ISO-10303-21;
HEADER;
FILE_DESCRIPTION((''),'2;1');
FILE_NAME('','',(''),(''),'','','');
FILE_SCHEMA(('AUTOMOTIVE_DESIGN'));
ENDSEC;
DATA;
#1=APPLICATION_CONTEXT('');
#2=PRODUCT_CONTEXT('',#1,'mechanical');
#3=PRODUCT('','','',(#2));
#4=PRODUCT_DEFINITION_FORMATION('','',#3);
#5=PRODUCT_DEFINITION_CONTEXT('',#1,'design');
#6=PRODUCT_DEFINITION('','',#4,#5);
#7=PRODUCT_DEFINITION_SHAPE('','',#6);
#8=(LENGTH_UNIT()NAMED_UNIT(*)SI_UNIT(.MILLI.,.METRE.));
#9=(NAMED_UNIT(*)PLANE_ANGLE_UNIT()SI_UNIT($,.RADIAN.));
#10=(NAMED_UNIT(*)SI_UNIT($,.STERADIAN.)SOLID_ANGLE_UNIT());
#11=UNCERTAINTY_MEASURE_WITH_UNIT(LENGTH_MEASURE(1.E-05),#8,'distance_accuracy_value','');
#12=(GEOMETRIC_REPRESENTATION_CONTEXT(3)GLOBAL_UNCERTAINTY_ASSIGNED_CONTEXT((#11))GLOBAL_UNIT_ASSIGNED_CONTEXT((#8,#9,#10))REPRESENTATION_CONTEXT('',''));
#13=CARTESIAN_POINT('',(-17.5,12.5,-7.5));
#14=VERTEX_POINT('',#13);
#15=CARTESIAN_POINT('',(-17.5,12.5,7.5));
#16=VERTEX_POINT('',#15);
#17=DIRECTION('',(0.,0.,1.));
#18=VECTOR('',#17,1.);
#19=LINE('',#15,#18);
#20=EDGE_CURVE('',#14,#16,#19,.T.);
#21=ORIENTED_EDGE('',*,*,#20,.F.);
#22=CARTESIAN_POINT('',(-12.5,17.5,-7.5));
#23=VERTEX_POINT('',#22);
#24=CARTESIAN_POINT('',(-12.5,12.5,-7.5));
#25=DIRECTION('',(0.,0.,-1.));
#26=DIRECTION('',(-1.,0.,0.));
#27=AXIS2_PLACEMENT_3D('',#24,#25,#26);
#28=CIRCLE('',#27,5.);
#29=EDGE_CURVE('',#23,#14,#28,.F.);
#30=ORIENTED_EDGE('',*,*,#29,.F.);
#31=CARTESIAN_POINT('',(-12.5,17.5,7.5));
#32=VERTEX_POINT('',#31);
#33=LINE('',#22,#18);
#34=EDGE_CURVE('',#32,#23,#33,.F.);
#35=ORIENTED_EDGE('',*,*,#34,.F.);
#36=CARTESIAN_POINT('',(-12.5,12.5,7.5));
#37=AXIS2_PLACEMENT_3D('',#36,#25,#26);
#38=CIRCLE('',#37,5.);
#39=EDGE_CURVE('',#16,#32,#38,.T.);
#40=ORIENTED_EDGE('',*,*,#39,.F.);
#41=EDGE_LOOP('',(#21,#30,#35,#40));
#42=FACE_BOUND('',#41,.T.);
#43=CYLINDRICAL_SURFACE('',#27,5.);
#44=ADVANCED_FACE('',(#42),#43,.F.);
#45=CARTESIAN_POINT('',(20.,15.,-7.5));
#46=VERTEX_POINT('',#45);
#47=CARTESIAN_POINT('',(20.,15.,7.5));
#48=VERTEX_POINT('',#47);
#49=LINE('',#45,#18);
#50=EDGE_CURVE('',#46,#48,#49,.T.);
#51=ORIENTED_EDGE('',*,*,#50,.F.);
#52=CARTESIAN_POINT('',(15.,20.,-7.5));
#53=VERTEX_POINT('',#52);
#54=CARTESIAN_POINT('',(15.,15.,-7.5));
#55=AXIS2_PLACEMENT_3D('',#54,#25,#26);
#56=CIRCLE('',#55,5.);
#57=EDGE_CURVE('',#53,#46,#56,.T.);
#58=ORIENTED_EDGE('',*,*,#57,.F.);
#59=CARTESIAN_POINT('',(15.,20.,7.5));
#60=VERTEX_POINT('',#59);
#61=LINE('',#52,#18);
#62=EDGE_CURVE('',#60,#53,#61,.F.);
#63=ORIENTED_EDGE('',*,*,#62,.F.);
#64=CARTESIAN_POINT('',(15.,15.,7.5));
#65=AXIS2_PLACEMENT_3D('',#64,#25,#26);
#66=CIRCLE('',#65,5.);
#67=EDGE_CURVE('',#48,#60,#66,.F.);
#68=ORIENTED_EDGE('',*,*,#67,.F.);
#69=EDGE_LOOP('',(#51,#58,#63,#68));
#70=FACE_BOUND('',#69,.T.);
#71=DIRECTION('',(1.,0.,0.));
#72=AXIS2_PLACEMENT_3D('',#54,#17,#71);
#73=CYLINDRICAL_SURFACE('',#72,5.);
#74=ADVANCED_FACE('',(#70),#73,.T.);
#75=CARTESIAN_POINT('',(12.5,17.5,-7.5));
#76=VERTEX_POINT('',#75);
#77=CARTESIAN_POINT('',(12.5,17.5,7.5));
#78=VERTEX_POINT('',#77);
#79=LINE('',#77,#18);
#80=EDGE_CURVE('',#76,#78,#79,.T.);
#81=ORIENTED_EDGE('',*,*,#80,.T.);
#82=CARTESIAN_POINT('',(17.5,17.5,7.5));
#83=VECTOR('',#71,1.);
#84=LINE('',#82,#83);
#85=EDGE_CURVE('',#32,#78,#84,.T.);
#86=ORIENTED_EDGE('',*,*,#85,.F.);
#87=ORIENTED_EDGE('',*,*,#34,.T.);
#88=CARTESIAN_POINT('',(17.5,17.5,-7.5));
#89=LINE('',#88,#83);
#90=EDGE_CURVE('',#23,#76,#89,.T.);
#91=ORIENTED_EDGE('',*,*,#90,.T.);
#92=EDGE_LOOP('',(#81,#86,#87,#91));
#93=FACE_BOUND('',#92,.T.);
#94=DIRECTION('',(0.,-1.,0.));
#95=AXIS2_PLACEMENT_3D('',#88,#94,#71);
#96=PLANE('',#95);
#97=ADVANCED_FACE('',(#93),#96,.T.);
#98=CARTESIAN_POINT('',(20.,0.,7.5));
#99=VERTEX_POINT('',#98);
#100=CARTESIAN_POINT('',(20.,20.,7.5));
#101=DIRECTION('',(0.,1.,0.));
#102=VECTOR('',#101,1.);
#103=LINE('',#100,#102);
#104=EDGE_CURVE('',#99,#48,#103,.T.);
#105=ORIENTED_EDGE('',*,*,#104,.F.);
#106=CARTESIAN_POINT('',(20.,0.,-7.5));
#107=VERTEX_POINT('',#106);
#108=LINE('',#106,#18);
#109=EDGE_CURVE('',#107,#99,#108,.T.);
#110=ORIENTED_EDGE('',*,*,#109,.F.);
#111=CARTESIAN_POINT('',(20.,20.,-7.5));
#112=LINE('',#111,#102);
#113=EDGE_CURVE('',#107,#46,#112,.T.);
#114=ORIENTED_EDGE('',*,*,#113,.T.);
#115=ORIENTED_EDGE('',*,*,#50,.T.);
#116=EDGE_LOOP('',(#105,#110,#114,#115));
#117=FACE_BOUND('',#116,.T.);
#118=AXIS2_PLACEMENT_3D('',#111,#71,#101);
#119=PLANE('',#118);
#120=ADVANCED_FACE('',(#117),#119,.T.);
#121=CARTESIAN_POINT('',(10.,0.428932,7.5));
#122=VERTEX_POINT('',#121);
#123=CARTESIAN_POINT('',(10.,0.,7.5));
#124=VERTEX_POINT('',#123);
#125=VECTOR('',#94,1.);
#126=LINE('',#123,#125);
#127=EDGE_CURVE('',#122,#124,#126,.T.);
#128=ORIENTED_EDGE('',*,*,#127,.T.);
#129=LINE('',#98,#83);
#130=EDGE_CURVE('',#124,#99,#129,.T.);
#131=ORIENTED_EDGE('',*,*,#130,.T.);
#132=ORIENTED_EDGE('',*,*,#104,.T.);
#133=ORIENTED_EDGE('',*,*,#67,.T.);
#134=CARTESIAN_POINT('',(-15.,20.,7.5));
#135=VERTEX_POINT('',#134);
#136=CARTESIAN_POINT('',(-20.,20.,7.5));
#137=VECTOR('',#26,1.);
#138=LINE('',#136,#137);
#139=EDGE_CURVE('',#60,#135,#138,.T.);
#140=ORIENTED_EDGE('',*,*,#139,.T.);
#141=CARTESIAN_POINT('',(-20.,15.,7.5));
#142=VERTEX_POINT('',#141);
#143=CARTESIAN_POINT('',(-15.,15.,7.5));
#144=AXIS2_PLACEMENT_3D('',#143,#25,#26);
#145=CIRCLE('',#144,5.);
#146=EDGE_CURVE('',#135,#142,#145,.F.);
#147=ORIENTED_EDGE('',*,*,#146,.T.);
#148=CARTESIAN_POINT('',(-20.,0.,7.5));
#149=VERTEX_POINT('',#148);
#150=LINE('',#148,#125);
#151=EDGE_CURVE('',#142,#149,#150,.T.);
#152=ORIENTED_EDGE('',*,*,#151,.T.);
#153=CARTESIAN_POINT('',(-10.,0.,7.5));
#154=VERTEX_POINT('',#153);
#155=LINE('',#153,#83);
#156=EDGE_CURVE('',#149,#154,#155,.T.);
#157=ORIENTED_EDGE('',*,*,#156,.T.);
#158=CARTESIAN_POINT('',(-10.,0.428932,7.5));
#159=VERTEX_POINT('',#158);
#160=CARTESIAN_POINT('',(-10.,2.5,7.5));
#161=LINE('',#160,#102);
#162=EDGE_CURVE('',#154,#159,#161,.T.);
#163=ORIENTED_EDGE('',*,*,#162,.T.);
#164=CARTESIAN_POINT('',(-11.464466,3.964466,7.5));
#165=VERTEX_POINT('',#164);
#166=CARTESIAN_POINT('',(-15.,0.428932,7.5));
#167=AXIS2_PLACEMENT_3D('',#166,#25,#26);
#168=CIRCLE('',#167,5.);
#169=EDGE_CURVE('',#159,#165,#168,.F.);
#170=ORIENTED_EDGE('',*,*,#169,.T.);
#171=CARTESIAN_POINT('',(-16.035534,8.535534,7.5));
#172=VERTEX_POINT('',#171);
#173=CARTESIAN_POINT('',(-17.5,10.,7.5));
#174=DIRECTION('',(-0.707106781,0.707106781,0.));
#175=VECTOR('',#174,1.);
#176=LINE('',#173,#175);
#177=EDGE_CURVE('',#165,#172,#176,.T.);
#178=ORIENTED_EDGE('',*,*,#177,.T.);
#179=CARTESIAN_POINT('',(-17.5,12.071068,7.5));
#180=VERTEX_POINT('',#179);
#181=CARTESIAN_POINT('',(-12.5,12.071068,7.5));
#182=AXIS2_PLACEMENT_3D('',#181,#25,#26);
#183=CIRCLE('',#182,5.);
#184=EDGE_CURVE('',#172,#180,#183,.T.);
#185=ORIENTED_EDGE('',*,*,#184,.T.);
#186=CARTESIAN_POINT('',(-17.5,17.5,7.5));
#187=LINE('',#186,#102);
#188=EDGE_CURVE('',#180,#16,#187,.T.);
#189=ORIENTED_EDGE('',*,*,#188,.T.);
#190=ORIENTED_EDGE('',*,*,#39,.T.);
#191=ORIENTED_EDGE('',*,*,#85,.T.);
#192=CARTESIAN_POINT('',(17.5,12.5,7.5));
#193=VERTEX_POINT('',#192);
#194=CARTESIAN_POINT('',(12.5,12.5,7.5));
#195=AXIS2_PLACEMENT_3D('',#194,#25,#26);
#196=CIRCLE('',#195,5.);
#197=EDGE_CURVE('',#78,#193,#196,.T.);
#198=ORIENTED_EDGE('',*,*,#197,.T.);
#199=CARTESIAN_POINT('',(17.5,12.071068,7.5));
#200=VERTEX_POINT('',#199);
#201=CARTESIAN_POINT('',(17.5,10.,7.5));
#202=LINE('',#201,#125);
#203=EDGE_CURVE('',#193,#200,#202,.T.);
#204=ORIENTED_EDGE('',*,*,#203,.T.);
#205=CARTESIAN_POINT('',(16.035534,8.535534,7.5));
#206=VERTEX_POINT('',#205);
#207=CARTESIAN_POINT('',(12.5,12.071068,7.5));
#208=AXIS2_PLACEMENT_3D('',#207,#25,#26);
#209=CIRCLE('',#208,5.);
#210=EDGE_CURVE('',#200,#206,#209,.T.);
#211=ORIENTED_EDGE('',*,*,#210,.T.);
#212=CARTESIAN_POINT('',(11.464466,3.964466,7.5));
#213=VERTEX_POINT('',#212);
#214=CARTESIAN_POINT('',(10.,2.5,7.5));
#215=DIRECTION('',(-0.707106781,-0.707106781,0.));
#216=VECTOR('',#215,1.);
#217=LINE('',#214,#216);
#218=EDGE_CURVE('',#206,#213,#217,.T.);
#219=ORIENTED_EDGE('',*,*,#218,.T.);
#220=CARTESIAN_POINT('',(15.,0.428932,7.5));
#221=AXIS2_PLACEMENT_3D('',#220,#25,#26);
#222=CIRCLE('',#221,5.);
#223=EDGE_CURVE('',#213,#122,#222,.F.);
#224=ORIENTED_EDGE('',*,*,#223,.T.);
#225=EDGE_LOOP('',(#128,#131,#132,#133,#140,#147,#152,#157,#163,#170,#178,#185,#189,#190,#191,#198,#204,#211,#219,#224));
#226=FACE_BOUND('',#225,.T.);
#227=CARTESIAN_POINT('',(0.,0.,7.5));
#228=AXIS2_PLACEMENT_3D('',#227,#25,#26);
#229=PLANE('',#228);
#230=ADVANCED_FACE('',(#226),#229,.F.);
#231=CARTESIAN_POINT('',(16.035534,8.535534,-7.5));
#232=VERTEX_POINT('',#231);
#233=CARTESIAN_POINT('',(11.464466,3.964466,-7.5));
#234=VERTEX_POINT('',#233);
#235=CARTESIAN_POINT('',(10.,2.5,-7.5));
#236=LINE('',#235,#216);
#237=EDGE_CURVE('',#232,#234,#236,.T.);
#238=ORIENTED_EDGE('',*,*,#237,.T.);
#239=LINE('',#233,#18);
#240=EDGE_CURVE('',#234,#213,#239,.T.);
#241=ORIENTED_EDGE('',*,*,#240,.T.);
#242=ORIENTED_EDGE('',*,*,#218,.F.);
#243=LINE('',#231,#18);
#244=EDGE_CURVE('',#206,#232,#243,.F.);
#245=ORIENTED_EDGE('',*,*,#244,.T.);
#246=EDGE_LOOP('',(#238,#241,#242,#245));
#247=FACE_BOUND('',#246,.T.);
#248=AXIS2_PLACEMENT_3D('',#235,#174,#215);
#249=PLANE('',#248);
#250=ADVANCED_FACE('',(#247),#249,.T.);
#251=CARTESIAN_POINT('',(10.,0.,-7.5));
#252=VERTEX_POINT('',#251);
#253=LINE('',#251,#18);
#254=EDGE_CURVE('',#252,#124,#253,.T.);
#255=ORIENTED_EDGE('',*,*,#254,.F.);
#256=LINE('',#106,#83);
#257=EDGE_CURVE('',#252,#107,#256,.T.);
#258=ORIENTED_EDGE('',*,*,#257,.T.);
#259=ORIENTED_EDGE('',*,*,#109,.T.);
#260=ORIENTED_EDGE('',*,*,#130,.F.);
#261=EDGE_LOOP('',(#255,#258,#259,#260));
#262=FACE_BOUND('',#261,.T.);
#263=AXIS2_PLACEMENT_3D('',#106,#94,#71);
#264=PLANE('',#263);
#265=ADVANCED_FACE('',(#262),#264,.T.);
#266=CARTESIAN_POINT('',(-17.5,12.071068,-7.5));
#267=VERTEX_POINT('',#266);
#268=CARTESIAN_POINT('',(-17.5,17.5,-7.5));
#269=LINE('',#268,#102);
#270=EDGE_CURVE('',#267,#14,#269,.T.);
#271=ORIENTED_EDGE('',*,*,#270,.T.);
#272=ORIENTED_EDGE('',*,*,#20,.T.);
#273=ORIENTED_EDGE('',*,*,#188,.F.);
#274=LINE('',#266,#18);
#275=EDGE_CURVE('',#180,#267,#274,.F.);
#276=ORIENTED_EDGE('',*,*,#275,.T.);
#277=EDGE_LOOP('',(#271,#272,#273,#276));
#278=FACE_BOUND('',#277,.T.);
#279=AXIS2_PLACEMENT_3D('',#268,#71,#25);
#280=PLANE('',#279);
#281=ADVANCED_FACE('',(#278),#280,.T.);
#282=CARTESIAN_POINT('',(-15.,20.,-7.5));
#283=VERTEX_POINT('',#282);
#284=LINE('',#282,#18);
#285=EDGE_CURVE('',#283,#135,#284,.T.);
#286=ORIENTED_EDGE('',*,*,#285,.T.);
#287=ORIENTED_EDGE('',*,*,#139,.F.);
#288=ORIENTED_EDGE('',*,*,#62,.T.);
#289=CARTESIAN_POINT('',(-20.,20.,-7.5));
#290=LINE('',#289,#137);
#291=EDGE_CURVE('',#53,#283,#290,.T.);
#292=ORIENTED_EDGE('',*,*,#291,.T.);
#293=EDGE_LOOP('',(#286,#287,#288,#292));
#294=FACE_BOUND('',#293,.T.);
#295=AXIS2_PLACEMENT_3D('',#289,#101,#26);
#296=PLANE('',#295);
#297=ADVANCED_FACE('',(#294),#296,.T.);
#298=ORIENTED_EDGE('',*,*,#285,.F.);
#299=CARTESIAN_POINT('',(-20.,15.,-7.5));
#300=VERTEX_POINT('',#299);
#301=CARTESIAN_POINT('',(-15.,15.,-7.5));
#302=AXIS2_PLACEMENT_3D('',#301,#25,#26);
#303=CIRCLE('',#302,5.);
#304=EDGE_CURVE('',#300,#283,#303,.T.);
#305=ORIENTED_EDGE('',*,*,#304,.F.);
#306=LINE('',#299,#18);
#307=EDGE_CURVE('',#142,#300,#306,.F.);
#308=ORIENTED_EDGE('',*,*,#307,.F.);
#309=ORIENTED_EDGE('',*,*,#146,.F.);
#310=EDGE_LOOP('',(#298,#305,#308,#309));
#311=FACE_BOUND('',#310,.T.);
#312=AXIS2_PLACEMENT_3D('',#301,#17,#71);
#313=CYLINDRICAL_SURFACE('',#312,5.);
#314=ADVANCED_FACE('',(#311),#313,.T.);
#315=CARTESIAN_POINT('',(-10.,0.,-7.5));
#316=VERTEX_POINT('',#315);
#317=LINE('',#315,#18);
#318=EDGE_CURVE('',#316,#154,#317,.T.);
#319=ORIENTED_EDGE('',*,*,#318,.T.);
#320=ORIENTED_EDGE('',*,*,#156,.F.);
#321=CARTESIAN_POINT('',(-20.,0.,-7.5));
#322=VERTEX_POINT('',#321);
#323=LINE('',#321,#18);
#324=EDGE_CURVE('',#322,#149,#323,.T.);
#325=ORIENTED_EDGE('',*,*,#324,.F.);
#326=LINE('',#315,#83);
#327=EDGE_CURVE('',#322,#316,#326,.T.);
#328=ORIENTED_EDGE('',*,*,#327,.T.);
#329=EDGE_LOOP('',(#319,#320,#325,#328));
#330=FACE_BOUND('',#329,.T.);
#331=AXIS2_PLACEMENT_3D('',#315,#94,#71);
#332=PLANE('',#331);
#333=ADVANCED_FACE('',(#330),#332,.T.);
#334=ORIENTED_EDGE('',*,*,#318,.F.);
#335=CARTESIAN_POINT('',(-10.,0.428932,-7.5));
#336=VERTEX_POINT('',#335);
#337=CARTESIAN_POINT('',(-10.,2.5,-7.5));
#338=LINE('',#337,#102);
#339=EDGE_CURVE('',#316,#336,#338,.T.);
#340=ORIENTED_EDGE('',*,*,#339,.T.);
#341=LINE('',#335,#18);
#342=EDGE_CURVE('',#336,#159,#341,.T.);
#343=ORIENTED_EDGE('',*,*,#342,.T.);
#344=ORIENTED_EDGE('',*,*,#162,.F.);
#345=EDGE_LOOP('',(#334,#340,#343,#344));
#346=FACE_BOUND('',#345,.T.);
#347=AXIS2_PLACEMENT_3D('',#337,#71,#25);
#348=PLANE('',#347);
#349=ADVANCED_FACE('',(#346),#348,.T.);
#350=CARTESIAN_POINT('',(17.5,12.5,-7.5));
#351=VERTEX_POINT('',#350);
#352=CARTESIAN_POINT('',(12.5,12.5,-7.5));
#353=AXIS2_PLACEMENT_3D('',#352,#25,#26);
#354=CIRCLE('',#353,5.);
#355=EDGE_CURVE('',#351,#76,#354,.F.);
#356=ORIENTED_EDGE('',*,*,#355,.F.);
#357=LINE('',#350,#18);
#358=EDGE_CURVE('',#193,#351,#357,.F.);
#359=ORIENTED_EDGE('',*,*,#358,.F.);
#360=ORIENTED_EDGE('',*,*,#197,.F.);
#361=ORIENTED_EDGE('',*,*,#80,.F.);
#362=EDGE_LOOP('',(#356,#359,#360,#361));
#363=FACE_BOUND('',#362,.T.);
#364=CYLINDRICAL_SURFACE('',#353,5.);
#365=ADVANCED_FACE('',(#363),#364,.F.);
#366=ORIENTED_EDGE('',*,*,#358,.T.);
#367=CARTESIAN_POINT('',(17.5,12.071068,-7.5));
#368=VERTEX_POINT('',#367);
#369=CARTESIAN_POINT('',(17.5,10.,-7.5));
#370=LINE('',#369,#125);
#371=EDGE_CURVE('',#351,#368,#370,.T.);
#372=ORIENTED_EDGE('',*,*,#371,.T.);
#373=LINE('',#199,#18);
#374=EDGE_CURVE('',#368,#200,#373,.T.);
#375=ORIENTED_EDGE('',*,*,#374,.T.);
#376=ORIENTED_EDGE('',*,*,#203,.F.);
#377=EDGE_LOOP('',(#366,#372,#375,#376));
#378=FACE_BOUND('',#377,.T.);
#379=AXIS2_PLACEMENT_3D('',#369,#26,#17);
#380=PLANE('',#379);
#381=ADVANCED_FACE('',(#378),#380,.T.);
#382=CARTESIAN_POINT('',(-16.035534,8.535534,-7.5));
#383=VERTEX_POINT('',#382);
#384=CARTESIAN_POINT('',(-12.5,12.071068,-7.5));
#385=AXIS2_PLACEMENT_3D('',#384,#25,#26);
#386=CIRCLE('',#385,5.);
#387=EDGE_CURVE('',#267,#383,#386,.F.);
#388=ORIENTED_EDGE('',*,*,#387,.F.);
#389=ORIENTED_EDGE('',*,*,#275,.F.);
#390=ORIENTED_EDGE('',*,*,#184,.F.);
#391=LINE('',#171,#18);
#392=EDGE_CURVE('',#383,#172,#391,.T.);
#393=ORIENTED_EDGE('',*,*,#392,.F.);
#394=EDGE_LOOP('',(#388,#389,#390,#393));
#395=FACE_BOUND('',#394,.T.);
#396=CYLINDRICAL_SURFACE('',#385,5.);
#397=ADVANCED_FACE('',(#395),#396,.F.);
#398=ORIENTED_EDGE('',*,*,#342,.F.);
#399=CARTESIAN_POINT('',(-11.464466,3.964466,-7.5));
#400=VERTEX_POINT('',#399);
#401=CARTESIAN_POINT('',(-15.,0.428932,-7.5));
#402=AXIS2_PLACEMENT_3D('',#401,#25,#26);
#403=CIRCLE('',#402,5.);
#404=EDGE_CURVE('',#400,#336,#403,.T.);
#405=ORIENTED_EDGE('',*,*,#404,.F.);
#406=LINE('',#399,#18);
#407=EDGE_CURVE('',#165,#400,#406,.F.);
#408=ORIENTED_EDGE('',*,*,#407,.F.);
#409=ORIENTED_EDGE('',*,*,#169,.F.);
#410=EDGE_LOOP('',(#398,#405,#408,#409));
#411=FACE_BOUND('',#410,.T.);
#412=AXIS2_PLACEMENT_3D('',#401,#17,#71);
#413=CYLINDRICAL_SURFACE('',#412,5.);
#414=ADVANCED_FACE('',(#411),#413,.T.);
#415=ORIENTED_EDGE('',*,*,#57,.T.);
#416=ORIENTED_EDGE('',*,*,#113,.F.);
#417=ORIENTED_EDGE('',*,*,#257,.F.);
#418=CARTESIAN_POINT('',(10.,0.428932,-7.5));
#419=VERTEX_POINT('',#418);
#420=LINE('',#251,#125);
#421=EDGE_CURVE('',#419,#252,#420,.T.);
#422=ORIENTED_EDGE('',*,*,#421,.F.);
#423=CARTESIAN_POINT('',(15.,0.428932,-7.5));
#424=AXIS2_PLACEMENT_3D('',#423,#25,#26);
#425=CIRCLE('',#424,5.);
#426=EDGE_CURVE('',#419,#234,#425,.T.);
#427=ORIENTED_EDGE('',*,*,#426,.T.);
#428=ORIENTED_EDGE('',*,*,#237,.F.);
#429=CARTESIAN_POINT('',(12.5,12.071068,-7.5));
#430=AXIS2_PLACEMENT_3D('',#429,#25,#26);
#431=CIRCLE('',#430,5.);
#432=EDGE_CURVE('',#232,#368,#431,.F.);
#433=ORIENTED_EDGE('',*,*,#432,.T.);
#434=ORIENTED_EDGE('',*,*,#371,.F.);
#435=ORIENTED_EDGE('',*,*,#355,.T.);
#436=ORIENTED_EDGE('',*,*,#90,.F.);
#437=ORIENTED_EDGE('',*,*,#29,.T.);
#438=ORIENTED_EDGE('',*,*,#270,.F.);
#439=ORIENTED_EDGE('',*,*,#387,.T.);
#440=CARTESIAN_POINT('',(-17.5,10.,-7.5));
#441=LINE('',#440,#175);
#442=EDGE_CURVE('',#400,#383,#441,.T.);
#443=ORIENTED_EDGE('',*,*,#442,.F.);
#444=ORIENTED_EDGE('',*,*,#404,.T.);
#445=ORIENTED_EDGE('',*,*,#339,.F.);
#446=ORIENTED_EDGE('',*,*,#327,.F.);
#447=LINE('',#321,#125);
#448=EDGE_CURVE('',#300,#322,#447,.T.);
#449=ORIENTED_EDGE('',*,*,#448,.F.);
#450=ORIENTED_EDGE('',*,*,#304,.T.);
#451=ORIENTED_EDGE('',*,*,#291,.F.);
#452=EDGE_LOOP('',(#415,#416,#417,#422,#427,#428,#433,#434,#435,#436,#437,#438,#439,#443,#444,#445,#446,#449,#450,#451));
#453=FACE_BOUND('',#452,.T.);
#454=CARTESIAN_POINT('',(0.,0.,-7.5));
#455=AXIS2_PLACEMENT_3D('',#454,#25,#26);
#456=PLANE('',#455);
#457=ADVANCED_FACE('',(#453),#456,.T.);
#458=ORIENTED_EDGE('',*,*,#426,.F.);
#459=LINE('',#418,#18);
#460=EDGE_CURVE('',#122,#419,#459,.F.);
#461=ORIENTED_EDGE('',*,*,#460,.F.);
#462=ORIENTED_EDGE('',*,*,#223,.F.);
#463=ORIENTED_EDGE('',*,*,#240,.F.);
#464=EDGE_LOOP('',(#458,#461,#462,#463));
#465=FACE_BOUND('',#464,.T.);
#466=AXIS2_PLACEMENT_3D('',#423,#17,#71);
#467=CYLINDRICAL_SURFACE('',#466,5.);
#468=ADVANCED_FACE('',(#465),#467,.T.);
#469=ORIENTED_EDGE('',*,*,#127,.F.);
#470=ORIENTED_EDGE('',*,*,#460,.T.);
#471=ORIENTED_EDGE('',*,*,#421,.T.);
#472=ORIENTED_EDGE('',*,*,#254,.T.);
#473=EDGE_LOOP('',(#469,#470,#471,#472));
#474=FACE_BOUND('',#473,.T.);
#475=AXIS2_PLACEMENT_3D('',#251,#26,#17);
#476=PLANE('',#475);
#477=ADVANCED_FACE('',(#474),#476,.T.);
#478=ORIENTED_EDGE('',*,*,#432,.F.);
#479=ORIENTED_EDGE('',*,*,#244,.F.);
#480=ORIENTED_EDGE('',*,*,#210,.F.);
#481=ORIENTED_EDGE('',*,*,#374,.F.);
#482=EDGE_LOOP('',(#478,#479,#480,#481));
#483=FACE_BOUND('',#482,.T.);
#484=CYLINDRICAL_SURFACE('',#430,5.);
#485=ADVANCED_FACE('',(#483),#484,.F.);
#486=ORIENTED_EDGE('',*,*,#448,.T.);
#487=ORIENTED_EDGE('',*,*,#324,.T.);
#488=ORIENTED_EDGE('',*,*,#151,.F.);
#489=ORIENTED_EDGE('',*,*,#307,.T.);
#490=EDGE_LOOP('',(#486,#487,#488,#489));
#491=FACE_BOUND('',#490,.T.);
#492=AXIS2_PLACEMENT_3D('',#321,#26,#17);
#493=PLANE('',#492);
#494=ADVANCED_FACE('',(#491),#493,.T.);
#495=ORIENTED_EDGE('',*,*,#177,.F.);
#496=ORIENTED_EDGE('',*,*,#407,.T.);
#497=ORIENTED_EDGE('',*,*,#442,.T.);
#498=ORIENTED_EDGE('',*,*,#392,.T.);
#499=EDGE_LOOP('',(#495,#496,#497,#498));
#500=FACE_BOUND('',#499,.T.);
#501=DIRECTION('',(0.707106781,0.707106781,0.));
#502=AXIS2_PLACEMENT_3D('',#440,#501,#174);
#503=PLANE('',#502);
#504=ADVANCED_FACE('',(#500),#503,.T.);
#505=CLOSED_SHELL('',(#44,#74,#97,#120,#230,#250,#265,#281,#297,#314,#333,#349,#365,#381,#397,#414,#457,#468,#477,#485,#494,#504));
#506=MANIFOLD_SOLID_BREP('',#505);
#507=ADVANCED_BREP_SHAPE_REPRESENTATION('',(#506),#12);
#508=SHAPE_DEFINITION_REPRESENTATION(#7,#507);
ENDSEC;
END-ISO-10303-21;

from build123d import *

# Parameters (mm, degrees)
BOSS_EXTRUDE1_DEPTH      = 7.5
BOSS_EXTRUDE1_DEPTH_BACK = 7.5
FILLET1_R                = 5


with BuildPart() as part:
    # Sketch1 → Boss-Extrude1 (new, two sides: drawn at the far end of the back side and taken through both)
    with BuildSketch(Plane.XY.offset(-BOSS_EXTRUDE1_DEPTH_BACK)):
        Polygon((-20, 20), (20, 20), (20, 0), (10, 0), (10, 2.5), (17.5, 10), (17.5, 17.5), (-17.5, 17.5), (-17.5, 10), (-10, 2.5), (-10, 0), (-20, 0), align=None)
    extrude(amount=BOSS_EXTRUDE1_DEPTH + BOSS_EXTRUDE1_DEPTH_BACK)

    # Fillet1
    fillet1_edges = [part.edges().sort_by_distance(p)[0] for p in [
        (-20, 20, 0),
        (20, 20, 0),
        (10, 2.5, 0),
        (17.5, 10, 0),
        (17.5, 17.5, 0),
        (-17.5, 17.5, 0),
        (-17.5, 10, 0),
        (-10, 2.5, 0),
    ]]
    fillet(fillet1_edges, radius=FILLET1_R)


solid = part.part
